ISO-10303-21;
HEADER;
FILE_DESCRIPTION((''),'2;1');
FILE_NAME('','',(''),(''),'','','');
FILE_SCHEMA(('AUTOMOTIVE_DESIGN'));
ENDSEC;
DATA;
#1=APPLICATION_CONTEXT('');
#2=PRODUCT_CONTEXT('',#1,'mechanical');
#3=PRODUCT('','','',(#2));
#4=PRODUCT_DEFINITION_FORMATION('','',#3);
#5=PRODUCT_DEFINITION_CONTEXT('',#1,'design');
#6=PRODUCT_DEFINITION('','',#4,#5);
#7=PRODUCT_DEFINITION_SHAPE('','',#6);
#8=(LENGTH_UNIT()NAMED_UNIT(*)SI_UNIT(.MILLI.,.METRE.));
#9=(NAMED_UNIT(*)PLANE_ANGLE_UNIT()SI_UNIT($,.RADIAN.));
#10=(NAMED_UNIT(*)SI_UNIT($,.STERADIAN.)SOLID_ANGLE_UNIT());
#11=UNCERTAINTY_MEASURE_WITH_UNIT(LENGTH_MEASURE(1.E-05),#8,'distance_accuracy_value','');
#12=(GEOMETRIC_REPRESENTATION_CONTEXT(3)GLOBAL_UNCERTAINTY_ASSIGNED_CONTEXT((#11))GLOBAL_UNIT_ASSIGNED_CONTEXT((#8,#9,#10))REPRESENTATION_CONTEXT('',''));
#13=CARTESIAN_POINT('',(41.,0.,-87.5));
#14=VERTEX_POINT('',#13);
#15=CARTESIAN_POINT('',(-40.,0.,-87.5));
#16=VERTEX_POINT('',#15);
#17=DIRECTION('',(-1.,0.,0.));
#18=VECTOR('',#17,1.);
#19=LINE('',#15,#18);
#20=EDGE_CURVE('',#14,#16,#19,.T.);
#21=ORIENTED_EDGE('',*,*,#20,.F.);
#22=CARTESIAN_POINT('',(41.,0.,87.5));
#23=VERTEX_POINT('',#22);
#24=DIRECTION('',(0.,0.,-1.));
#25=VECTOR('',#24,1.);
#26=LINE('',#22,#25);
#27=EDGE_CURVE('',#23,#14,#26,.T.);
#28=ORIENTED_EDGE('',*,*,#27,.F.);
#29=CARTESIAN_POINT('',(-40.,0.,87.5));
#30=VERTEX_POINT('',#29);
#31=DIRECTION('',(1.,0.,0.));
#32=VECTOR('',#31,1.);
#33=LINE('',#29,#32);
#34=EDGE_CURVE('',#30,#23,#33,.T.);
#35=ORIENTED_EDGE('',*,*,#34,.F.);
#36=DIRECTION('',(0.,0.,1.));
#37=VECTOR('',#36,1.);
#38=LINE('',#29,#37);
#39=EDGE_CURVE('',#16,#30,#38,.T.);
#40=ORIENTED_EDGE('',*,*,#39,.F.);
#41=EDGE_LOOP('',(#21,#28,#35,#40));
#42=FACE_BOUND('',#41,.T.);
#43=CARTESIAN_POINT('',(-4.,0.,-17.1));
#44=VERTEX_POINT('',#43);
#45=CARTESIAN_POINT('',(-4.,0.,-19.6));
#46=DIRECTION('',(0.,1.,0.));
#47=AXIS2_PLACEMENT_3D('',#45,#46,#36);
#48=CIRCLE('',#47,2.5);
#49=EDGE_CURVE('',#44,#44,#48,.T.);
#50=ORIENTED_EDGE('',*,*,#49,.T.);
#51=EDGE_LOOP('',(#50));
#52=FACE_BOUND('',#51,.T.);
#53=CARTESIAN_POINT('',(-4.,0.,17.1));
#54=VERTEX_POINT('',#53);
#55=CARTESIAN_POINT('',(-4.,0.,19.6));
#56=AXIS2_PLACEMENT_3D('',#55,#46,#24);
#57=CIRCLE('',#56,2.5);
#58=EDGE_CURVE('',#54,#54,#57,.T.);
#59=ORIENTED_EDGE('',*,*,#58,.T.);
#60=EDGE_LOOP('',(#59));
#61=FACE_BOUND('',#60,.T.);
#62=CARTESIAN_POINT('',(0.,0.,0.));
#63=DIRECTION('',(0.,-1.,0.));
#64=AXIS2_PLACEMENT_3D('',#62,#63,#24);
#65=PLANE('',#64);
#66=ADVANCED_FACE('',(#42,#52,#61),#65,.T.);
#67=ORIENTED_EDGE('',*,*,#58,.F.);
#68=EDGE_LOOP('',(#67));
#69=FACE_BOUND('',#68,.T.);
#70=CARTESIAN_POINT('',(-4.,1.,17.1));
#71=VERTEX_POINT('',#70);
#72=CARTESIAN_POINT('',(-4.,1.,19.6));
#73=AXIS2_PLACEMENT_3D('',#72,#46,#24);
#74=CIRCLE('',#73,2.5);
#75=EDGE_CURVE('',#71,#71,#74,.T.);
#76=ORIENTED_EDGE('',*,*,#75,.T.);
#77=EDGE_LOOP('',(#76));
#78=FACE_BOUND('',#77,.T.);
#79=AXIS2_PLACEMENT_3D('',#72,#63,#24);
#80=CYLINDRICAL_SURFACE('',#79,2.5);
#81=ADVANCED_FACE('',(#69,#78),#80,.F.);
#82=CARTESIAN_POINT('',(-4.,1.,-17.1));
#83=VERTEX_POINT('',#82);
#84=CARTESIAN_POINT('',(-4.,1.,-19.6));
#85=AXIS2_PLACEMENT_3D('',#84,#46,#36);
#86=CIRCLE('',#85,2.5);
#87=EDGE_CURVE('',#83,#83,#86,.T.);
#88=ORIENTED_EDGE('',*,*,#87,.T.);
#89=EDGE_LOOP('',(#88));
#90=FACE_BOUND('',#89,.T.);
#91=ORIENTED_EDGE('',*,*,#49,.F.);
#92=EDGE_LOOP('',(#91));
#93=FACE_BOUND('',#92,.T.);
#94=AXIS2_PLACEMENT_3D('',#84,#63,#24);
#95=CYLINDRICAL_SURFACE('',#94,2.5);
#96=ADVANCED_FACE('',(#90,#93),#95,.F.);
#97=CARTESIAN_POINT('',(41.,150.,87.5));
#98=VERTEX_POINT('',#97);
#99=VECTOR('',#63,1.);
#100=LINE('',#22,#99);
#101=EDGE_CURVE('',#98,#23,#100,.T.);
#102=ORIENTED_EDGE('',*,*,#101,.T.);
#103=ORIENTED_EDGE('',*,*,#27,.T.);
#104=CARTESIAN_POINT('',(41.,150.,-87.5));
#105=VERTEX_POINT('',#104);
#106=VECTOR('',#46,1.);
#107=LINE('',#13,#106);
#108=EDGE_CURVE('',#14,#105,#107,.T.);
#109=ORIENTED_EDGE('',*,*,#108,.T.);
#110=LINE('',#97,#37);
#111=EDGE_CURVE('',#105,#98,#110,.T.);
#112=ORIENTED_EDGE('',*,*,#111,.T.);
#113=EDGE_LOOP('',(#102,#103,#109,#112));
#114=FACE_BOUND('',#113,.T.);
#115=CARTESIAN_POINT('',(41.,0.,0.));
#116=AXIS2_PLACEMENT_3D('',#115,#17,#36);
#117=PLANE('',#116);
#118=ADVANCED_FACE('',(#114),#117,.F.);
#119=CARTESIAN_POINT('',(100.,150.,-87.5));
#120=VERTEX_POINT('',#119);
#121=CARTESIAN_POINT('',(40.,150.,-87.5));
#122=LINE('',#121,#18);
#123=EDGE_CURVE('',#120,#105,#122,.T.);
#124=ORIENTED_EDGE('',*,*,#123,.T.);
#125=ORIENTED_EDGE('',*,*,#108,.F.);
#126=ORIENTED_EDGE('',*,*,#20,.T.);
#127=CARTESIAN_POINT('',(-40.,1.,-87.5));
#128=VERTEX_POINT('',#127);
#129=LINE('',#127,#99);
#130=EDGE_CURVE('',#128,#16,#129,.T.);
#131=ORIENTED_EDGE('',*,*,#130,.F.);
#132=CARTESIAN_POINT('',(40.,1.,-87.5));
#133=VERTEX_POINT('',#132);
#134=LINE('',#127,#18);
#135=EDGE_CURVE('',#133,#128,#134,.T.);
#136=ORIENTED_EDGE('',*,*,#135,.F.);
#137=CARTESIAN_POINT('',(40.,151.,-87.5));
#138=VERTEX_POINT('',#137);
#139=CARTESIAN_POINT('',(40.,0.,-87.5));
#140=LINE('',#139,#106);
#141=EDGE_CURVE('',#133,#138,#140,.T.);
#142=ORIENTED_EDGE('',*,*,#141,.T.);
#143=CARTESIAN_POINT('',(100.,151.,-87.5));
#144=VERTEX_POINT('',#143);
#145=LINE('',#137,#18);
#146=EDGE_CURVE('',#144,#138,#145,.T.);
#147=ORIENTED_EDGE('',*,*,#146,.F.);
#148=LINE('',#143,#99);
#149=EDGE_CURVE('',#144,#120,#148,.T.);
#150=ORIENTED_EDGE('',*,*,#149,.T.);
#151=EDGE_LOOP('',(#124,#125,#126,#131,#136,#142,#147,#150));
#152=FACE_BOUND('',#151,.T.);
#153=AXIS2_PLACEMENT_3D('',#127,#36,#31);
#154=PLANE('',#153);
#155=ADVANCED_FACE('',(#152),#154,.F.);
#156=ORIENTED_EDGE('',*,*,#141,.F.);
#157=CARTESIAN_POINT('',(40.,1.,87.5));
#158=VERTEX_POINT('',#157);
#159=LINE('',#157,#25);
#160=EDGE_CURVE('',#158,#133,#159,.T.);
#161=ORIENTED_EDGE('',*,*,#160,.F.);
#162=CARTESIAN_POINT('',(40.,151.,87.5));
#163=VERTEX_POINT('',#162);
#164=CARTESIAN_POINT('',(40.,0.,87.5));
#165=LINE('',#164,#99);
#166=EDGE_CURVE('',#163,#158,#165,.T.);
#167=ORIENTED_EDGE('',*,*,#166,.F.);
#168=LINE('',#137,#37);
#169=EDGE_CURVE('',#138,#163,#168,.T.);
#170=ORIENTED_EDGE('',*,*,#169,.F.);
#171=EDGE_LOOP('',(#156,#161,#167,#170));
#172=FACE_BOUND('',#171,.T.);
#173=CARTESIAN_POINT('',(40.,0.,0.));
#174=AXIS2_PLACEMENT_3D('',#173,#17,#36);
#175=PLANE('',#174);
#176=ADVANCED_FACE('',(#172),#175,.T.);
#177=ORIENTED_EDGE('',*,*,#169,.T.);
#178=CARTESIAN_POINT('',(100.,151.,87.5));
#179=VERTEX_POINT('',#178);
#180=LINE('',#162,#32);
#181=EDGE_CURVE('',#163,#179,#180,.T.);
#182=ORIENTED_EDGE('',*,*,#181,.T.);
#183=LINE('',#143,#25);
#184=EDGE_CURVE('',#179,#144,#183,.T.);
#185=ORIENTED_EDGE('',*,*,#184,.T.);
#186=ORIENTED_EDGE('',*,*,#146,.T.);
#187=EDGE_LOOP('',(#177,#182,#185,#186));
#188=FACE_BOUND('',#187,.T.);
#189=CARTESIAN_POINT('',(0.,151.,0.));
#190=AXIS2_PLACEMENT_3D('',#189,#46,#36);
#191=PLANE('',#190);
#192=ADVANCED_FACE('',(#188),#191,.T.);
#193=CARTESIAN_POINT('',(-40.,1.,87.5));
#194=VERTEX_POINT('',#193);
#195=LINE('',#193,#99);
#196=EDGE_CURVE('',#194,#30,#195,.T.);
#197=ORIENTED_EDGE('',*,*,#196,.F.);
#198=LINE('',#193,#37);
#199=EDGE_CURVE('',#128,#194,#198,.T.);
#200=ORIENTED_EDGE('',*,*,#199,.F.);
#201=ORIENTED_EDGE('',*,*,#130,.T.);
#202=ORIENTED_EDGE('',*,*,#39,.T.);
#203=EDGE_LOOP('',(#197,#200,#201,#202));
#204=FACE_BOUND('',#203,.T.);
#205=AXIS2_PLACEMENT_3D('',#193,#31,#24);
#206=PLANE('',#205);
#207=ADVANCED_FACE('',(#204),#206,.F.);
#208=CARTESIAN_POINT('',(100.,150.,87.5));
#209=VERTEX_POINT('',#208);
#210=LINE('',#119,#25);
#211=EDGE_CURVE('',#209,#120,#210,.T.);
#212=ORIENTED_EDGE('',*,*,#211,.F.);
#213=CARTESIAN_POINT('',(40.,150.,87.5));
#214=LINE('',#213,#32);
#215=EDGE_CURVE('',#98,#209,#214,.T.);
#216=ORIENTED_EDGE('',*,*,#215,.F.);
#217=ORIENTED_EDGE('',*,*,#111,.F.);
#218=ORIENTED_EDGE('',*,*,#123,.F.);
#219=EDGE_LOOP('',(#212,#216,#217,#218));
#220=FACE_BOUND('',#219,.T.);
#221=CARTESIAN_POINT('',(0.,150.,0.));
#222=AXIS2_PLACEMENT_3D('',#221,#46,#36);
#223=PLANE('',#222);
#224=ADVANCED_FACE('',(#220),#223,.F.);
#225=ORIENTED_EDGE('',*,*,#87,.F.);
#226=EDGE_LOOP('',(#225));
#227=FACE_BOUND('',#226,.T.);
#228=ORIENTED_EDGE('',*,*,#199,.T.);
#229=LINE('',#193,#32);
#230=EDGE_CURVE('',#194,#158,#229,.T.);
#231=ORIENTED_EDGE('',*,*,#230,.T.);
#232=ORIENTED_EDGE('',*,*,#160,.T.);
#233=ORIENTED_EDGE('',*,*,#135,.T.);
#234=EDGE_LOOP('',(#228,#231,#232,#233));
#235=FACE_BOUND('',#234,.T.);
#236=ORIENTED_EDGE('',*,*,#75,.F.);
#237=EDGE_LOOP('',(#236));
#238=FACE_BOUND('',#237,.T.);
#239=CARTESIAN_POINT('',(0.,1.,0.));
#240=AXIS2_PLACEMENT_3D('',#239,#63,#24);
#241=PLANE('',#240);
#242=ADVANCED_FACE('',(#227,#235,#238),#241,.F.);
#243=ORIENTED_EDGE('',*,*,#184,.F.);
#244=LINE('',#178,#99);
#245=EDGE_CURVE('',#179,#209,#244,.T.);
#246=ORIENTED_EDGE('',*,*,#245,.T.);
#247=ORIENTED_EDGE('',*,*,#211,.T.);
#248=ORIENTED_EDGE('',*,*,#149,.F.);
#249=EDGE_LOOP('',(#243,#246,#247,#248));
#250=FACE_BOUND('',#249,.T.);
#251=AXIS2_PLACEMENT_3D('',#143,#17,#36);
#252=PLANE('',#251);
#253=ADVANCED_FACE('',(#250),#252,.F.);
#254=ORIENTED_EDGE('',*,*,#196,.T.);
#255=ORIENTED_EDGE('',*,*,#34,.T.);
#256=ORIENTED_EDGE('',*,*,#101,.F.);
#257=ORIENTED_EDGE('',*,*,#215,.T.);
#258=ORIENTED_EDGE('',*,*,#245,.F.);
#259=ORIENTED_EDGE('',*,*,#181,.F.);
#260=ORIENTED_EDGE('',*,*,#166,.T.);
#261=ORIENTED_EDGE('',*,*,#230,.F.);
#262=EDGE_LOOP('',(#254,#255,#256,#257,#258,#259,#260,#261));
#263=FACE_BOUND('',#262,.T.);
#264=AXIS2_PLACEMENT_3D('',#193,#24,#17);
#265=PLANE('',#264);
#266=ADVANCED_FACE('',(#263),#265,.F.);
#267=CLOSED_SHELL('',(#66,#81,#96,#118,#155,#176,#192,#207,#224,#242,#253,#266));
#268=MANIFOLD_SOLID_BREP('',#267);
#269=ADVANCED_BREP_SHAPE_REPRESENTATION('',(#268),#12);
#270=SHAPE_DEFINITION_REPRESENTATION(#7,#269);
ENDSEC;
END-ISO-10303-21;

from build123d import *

# Parameters (mm, degrees)
SKETCH1_W           = 80
SKETCH1_H           = 175
SKETCH1_R           = 2.5
BOSS_EXTRUDE1_DEPTH = 1
SKETCH2_W           = 175
SKETCH2_H           = 150
BOSS_EXTRUDE2_DEPTH = 1
SKETCH3_W           = 60
SKETCH3_H           = 175
BOSS_EXTRUDE3_DEPTH = 1


with BuildPart() as part:
    # Sketch1 → Boss-Extrude1 (new body)
    with BuildSketch(Plane(origin=(0, 0, 0), x_dir=(1, 0, 0), z_dir=(0, 1, 0))):
        Rectangle(SKETCH1_W, SKETCH1_H)
        with Locations(Location((-4, 19.6, 0), (0, 0, 270))):
            Circle(SKETCH1_R, mode=Mode.SUBTRACT)
        with Locations(Location((-4, -19.6, 0), (0, 0, 90))):
            Circle(SKETCH1_R, mode=Mode.SUBTRACT)
    extrude(amount=BOSS_EXTRUDE1_DEPTH)

    # Sketch2 → Boss-Extrude2 (add)
    with BuildSketch(Plane(origin=(40, 0, 0), x_dir=(0, 0, -1), z_dir=(1, 0, 0))):
        with Locations((0, 75)):
            Rectangle(SKETCH2_W, SKETCH2_H)
    extrude(amount=BOSS_EXTRUDE2_DEPTH)

    # Sketch3 → Boss-Extrude3 (add)
    with BuildSketch(Plane(origin=(0, 150, 0), x_dir=(1, 0, 0), z_dir=(0, 1, 0))):
        with Locations((70, 0)):
            Rectangle(SKETCH3_W, SKETCH3_H)
    extrude(amount=BOSS_EXTRUDE3_DEPTH)


solid = part.part
